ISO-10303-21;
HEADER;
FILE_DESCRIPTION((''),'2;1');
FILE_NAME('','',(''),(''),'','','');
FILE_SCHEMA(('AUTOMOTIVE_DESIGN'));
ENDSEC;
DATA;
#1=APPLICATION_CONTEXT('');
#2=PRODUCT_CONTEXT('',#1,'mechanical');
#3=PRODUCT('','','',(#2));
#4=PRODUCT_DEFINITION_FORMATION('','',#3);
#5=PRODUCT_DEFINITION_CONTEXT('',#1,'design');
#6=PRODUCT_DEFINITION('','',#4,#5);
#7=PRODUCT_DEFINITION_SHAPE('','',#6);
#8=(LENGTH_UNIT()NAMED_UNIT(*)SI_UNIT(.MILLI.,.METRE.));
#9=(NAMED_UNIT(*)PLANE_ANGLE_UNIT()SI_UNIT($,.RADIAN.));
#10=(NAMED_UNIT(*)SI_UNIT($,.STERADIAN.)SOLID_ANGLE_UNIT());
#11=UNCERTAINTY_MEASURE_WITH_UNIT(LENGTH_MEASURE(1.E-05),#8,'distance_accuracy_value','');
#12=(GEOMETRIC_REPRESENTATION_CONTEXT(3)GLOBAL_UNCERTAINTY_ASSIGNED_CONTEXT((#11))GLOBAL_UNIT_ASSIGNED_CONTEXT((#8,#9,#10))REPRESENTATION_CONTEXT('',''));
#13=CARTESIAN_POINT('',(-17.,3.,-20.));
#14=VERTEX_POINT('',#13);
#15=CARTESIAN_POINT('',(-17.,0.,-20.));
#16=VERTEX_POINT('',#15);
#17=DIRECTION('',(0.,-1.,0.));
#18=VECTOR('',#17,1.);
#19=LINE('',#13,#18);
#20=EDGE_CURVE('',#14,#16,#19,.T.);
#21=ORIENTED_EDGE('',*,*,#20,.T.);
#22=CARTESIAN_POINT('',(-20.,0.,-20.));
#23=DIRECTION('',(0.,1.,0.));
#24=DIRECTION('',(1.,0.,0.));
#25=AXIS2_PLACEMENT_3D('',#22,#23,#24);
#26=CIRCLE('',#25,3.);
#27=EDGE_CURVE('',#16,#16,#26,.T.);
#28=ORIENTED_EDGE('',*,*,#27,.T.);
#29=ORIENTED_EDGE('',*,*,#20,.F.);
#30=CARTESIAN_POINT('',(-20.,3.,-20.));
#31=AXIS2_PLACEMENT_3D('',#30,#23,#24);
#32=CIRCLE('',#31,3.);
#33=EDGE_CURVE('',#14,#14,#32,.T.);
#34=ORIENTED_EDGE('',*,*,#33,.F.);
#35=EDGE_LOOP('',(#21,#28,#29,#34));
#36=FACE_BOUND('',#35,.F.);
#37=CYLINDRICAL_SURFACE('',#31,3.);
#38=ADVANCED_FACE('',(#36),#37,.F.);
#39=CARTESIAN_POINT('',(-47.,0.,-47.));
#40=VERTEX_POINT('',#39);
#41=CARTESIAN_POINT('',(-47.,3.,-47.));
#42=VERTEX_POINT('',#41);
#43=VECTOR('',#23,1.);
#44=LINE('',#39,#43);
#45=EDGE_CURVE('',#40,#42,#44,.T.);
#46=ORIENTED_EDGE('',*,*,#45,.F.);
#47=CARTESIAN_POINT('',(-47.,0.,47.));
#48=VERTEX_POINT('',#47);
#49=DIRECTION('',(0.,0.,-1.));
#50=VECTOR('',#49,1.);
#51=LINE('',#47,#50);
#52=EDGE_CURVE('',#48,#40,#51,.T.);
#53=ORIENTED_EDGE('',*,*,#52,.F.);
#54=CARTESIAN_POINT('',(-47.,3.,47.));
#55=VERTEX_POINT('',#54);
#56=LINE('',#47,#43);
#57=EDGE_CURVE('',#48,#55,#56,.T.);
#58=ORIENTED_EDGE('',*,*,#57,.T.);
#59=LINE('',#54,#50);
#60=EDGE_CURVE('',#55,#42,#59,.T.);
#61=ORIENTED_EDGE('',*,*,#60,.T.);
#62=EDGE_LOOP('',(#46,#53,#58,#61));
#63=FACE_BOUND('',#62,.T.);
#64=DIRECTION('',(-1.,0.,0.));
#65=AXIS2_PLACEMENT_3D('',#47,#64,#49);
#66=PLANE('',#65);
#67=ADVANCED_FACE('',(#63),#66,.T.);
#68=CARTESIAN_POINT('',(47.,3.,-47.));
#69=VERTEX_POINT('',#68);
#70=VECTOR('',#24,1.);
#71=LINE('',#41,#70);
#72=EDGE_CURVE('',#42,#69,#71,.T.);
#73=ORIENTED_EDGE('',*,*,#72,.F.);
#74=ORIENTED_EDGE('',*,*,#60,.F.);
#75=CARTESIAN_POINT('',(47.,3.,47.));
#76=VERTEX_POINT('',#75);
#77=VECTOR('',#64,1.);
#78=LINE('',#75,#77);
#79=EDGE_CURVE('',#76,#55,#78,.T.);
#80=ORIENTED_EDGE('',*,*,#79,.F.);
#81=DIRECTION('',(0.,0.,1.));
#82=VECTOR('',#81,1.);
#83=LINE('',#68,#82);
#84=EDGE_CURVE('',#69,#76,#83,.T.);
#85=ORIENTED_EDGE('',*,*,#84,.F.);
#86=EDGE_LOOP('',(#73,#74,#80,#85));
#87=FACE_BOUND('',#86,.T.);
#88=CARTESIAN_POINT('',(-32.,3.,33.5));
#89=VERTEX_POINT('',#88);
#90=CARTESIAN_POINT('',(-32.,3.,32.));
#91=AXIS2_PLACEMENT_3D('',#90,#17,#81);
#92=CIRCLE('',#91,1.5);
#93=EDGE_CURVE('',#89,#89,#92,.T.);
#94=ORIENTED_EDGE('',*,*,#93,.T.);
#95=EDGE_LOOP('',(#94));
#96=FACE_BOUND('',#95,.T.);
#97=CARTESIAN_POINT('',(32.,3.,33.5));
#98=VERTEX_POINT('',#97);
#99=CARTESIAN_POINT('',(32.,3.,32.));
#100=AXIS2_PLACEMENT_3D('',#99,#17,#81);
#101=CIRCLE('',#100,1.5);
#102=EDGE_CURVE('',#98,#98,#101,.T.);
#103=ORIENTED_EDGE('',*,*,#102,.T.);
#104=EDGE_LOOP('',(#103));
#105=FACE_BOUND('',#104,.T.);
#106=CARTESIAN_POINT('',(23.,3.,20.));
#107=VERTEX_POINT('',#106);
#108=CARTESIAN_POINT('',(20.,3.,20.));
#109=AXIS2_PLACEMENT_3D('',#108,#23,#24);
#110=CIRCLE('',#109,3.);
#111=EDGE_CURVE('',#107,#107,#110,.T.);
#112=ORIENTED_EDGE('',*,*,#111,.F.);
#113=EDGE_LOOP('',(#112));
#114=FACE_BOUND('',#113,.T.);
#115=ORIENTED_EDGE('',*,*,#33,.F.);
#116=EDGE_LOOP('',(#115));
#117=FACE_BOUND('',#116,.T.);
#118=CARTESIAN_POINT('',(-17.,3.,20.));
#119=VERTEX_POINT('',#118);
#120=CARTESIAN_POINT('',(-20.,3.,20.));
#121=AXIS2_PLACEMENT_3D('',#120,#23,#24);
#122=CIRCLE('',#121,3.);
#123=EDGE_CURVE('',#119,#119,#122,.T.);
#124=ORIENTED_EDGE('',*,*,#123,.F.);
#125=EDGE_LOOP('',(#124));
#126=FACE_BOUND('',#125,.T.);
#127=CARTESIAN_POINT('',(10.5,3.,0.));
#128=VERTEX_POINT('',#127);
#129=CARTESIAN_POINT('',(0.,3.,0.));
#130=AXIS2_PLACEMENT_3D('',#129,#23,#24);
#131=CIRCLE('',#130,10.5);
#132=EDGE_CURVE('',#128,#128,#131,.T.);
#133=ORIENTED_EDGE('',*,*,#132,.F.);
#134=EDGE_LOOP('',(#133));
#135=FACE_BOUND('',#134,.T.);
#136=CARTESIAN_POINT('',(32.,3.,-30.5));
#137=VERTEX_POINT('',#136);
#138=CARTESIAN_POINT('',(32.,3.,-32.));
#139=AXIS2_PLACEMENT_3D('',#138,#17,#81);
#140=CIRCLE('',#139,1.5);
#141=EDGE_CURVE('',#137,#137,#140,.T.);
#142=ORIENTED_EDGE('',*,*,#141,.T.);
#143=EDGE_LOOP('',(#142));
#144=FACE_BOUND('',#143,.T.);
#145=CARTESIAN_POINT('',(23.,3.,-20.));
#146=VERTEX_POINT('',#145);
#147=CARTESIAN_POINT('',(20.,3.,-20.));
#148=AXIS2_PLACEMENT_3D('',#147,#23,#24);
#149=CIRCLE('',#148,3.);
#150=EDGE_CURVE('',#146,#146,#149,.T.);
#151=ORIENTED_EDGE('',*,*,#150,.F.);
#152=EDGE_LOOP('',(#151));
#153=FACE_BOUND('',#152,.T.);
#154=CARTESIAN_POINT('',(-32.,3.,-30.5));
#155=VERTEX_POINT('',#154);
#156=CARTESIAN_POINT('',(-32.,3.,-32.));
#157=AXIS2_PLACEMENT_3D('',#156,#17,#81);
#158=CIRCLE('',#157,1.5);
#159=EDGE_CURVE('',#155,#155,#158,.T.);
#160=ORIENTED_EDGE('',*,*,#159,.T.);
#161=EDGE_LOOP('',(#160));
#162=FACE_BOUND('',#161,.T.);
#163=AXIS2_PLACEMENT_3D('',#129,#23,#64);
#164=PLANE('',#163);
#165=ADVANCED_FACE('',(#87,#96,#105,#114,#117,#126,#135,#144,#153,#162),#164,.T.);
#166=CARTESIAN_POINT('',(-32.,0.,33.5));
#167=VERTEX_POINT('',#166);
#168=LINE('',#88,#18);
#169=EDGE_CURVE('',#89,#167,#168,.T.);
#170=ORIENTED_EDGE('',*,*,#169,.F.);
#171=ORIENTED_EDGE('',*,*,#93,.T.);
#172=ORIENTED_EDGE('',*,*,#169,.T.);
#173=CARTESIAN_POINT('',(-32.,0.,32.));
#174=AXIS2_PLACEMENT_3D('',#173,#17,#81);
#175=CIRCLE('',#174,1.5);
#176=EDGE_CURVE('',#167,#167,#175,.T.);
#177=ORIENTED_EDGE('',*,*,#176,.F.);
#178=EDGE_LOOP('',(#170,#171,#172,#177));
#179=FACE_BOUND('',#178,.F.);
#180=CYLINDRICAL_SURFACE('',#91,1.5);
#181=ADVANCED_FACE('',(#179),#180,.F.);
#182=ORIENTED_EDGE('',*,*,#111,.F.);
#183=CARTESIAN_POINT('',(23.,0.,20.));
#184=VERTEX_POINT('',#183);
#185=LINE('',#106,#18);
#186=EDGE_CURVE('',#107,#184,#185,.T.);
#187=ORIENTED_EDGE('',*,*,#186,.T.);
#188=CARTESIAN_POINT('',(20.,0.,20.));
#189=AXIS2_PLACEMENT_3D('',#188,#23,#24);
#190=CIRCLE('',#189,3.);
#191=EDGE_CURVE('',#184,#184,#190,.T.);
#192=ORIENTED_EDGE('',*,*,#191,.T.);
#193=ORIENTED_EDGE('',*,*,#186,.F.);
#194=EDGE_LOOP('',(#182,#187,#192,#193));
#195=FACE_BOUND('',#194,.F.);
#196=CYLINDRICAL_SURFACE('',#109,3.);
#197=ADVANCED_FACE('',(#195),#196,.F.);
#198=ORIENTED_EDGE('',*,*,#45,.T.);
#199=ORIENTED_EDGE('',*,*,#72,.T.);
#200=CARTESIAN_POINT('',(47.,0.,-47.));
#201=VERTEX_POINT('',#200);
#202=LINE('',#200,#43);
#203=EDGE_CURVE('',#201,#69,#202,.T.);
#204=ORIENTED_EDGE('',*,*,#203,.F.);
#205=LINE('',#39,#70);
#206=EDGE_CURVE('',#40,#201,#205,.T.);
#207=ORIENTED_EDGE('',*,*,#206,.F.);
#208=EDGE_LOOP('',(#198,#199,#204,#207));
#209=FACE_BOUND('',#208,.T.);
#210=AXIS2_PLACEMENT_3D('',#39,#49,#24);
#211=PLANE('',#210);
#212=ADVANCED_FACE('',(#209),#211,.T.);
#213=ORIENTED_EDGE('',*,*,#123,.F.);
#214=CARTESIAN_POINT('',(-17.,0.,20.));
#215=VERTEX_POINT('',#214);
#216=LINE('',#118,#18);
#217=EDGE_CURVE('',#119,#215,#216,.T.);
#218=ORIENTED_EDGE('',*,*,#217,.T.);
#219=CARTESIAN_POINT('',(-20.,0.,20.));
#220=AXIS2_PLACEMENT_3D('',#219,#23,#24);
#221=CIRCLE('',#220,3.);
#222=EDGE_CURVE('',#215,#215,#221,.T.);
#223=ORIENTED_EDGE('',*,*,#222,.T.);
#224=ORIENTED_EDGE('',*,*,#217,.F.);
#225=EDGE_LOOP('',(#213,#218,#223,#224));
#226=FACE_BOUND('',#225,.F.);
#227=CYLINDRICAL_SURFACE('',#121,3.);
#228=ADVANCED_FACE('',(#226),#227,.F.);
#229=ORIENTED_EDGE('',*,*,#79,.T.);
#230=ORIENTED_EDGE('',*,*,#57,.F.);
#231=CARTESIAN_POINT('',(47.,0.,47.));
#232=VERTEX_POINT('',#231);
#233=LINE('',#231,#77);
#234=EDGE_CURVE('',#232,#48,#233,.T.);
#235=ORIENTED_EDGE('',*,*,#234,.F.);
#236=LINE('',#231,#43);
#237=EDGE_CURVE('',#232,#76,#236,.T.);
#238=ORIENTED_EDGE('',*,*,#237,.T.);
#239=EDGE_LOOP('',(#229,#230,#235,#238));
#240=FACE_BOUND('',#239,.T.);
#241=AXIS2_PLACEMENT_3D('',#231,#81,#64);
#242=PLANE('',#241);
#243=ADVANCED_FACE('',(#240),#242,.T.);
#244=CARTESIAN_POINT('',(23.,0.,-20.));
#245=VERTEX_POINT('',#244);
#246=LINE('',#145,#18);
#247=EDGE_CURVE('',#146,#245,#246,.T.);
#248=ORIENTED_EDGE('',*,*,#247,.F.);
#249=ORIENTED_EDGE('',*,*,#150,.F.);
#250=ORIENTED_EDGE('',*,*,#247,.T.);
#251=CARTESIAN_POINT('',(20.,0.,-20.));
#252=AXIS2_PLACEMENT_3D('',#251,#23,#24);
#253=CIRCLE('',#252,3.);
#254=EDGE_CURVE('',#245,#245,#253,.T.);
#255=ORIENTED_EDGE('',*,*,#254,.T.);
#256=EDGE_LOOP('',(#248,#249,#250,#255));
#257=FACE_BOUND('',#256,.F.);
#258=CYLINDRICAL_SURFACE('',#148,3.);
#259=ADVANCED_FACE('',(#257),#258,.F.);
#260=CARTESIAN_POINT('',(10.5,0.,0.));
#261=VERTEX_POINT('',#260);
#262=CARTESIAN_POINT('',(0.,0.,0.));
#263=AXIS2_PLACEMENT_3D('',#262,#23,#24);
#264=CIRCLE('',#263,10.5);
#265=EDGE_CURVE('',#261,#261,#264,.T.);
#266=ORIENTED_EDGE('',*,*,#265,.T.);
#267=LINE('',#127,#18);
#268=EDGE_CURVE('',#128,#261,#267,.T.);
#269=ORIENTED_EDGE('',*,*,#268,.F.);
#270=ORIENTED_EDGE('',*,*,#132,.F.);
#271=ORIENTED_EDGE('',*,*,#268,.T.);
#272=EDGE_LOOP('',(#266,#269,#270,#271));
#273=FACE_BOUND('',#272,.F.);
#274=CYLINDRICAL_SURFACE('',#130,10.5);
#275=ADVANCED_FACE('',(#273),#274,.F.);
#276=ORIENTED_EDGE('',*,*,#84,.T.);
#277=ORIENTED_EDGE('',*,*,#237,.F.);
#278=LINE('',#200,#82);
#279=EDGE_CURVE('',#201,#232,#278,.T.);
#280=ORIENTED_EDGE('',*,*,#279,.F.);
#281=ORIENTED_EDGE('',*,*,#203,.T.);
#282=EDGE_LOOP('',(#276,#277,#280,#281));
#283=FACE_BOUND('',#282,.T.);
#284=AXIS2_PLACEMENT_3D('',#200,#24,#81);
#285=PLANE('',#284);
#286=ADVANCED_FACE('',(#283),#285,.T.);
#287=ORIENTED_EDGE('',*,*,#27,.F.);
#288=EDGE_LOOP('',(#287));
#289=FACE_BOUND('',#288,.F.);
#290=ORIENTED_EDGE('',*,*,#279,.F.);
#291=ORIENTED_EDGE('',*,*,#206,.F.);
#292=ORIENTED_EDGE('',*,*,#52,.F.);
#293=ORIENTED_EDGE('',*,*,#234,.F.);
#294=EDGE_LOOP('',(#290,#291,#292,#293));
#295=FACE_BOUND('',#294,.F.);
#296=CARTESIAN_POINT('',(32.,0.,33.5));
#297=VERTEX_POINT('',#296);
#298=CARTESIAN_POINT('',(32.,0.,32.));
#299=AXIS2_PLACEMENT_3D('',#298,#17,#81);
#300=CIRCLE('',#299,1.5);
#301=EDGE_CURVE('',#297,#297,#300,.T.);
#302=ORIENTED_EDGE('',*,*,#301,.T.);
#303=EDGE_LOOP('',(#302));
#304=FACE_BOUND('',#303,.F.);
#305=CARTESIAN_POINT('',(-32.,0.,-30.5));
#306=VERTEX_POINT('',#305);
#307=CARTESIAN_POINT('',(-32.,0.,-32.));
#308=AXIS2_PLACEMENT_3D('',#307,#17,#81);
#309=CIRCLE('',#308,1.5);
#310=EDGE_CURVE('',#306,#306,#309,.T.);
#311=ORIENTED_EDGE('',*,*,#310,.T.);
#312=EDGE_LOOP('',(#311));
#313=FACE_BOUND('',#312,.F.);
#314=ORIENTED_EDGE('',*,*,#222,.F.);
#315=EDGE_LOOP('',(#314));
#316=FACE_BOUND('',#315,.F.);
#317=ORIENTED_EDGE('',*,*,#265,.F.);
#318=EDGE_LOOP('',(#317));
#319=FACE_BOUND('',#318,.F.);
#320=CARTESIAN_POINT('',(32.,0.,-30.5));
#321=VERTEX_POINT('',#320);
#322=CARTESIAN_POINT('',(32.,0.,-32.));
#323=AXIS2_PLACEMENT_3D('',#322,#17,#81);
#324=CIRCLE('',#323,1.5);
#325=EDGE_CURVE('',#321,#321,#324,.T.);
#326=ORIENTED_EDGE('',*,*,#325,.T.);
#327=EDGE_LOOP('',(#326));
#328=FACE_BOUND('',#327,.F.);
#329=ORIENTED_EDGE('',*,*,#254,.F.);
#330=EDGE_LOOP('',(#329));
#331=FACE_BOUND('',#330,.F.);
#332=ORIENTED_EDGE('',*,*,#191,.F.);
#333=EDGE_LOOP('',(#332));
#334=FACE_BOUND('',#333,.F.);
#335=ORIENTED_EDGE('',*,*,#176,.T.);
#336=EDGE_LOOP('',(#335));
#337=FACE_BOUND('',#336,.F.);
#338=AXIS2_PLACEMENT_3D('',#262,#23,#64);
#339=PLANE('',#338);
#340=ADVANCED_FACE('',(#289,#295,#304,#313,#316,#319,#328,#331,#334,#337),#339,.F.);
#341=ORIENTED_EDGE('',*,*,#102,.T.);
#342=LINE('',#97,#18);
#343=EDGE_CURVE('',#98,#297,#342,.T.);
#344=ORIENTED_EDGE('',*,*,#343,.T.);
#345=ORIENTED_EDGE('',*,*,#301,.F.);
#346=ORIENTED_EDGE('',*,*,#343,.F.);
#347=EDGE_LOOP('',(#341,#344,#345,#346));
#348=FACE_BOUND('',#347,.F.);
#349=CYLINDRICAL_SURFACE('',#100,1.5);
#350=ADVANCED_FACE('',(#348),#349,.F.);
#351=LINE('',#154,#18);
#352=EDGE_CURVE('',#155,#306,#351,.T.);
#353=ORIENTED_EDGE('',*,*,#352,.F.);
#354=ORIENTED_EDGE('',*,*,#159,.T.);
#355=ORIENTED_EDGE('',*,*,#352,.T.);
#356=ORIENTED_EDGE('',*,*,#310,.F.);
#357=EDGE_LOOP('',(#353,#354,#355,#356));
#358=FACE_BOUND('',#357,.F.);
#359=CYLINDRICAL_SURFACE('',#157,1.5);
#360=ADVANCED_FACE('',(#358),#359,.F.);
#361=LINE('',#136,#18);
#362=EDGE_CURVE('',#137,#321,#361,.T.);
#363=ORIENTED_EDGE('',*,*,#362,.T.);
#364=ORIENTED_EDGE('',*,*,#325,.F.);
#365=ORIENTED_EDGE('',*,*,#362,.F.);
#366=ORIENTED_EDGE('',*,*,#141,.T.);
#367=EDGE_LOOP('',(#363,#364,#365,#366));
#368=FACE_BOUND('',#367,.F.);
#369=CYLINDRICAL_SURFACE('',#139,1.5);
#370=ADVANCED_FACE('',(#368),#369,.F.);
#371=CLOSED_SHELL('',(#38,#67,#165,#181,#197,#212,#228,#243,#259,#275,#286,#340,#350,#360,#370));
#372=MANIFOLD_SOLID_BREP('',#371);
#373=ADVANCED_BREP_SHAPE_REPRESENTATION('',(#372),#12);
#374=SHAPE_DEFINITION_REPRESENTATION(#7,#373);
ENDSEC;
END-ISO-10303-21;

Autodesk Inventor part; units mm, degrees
ref_plane "YZ Plane" through (0, 0, 0) normal (1, 0, 0) x (0, 1, 0)
ref_plane "XZ Plane" through (0, 0, 0) normal (0, 1, 0) x (-1, 0, 0)
ref_plane "XY Plane" through (0, 0, 0) normal (0, 0, 1) x (1, 0, 0)
sketch "Sketch1" plane through (0, 0, 0) normal (0, 1, 0) x (-1, 0, 0)
  line L0 (47, -47) -> (-47, -47)
  line L1 (-47, -47) -> (-47, 47)
  line L2 (-47, 47) -> (47, 47)
  line L3 (47, 47) -> (47, -47)
  point P0 (0, 0)
  point P1 (-47, 0)
  point P2 (0, -47)
  dimension "d0" = 94
  dimension "d1" = 94
extrude "Extrusion1" add sketch "Sketch1" along normal blind 3
sketch "Sketch2" plane through (0, 3, 0) normal (0, 1, 0) x (1, 0, 0)
  line L0 (47, 47) -> (-47, 47) projected
  line L1 (47, -47) -> (47, 47) projected
  line L2 (-47, 47) -> (-47, -47) projected
  line L3 (-47, -47) -> (47, -47) projected
  point P0 (0, 0)
  point P1 (-32, 32)
  point P2 (32, 32)
  point P3 (32, -32)
  point P4 (-32, -32)
  dimension "d4" = 15
  dimension "d5" = 15
  dimension "d6" = 15
  dimension "d7" = 15
hole "Hole1" at (-32, 3, -32) at (32, 3, -32) at (32, 3, 32) at (-32, 3, 32) direction (0, -1, 0) diameter 3 depth 8 tip angle 118
sketch "Sketch3" plane through (0, 3, 0) normal (0, 1, 0) x (1, 0, 0)
  circle A0 centre (0, 0) radius 10.5
  dimension "d15" = 21
extrude "Extrusion2" cut sketch "Sketch3" against normal through all
sketch "Sketch4" plane through (0, 3, 0) normal (0, 1, 0) x (1, 0, 0)
  circle A0 centre (-20, 20) radius 3
  circle A1 centre (20, 20) radius 3
  circle A2 centre (20, -20) radius 3
  circle A3 centre (-20, -20) radius 3
  point P0 (0, 0)
  dimension "d18" = 6
  dimension "d19" = 6
  dimension "d20" = 6
  dimension "d21" = 6
  dimension "d22" = 20
  dimension "d23" = 20
  dimension "d24" = 20
  dimension "d25" = 20
extrude "Extrusion3" cut sketch "Sketch4" against normal through all
equation "\"d6\" = d5"
equation "\"d7\" = d4"
equation "\"d23\" = d22"
equation "\"d24\" = d23"
equation "\"d25\" = d24"
properties part number "Top Plate"
